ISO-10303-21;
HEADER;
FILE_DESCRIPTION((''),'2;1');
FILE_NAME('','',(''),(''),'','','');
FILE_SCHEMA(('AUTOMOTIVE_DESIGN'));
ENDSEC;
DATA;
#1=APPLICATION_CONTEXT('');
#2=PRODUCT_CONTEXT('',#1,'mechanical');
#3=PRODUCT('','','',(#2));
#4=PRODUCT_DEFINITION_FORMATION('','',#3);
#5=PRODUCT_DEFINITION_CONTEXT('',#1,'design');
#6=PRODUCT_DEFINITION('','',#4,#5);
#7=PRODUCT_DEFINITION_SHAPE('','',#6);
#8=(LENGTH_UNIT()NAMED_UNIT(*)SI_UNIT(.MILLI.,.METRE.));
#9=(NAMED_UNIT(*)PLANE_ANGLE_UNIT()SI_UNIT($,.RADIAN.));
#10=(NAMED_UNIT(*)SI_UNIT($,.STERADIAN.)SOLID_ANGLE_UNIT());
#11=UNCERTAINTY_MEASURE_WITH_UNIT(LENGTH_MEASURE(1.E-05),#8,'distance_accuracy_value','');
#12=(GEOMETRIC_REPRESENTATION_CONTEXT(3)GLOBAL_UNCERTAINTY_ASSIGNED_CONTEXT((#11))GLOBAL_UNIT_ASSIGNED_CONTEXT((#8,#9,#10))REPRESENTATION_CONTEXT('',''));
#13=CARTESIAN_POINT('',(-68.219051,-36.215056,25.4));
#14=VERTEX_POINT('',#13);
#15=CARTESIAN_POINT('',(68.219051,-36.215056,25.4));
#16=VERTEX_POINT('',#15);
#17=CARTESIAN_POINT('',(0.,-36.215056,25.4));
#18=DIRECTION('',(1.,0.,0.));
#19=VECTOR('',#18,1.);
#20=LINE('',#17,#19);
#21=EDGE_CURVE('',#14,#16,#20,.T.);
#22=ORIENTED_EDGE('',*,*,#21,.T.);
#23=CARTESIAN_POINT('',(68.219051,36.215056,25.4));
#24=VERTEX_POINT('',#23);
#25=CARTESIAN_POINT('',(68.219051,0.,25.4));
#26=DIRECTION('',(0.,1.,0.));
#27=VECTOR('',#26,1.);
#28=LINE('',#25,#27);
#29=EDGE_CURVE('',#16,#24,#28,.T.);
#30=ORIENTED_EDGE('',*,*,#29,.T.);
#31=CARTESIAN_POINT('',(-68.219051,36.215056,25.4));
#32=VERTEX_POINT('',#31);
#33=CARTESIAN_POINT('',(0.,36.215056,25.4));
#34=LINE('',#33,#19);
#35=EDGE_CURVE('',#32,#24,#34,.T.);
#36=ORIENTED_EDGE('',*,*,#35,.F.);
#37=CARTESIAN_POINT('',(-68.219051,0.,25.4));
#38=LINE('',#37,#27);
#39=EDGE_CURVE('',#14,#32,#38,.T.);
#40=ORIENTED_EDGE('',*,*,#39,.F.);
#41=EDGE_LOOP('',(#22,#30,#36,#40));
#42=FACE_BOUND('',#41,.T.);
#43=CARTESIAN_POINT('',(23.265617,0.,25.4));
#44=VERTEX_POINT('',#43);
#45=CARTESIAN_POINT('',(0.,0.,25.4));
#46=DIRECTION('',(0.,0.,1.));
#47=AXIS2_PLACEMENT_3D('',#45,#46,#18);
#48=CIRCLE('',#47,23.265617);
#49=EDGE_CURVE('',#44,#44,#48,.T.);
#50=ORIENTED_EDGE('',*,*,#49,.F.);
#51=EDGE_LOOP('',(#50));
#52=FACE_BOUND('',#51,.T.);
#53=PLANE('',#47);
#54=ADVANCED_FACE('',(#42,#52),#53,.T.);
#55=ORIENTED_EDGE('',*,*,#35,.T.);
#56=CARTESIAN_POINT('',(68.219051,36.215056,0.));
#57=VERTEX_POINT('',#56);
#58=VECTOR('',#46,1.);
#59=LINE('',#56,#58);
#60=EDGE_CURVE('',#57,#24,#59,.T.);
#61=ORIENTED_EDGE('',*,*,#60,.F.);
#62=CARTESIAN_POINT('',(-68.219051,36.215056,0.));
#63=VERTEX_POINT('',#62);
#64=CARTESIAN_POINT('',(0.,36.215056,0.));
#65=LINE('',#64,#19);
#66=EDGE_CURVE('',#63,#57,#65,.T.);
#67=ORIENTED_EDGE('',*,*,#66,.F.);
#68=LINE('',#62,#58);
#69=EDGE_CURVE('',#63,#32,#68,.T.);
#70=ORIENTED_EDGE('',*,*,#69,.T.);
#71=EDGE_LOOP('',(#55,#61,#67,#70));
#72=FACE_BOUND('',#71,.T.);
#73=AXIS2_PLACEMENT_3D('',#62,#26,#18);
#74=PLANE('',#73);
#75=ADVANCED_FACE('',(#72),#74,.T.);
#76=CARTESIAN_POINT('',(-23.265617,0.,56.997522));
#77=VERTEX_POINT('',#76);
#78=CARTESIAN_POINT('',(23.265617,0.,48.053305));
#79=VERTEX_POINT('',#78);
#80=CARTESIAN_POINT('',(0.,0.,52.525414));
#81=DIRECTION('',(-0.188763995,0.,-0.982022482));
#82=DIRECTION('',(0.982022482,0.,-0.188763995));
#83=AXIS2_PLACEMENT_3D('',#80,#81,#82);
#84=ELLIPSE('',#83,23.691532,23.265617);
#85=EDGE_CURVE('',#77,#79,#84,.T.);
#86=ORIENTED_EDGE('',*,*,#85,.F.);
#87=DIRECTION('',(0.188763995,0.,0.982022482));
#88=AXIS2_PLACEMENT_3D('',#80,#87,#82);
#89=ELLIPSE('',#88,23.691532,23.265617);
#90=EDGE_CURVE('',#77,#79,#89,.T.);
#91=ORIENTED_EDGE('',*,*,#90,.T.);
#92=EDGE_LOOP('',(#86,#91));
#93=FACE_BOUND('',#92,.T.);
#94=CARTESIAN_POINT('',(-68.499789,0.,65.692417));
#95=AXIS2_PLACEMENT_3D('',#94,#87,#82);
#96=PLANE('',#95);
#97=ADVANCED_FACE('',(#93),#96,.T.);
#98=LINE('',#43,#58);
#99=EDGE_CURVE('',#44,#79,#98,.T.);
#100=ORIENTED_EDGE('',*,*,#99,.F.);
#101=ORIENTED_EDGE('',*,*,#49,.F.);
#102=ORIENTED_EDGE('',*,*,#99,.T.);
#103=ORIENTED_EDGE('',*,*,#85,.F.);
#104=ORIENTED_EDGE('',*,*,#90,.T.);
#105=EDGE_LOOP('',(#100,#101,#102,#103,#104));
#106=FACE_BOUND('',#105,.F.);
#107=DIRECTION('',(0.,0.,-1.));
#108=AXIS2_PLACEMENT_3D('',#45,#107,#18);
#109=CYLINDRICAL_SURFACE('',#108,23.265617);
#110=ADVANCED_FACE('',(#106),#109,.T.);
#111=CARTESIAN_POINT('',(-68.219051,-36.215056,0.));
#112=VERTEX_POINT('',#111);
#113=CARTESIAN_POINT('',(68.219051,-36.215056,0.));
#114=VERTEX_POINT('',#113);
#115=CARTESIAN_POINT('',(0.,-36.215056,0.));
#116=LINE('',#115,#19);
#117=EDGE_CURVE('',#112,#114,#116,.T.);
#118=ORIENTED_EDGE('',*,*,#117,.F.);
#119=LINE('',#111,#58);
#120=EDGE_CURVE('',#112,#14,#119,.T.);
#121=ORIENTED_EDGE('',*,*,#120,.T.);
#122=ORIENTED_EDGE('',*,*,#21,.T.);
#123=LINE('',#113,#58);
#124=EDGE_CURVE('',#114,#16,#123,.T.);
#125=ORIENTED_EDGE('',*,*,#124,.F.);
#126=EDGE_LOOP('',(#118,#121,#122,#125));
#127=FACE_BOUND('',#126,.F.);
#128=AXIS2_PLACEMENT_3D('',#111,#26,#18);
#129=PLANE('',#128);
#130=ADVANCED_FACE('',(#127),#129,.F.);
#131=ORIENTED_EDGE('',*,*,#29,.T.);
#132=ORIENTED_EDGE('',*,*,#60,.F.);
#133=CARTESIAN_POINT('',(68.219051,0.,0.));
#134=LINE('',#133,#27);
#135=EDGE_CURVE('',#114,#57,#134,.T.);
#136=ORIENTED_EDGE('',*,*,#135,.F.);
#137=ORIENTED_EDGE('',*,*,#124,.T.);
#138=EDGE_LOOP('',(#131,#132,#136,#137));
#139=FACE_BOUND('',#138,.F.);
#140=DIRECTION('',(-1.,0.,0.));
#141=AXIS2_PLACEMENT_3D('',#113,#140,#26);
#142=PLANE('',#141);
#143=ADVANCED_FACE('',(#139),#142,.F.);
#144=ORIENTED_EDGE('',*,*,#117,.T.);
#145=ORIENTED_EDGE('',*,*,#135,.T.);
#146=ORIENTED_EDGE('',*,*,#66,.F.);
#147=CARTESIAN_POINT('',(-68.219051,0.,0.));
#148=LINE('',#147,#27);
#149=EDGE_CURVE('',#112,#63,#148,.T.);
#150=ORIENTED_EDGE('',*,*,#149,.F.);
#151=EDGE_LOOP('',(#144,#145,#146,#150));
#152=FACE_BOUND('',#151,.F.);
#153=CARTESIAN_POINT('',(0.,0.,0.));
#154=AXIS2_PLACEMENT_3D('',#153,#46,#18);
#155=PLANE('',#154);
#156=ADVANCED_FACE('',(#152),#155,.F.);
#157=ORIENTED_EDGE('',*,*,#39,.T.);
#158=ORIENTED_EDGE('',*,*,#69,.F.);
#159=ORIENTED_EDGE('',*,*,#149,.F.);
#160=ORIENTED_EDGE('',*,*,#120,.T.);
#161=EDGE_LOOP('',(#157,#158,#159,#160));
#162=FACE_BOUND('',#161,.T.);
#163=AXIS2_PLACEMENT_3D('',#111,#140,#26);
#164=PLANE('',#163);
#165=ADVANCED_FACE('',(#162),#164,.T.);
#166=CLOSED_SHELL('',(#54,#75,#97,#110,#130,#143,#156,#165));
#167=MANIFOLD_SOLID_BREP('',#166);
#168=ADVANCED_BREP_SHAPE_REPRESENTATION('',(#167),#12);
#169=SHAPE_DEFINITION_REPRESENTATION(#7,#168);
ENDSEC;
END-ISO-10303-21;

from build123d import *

# Parameters (mm, degrees)
F0_W          = 136.4381015301
F0_H          = 72.4301114678
F1_DEPTH      = 25.4
F2_R          = 23.2656169201
F3_DEPTH      = 36.322
F5_DEPTH      = 25.4
F5_DEPTH_BACK = 25.4


with BuildPart() as f1:
    # F0 (on Top) → F1 (new body)
    with BuildSketch(Plane.XY):
        Rectangle(F0_W, F0_H)
    extrude(amount=F1_DEPTH)

    # F2 (on face) → F3 (join)
    with BuildSketch(Plane.XY.offset(25.4)):
        Circle(F2_R)
    extrude(amount=F3_DEPTH)

    # F4 (on Front) → F5 (cut, two sides)
    with BuildSketch(Plane.XZ) as f5_sk:
        Polygon((54.1822127998, 69.6227326989), (-68.4997886419, 65.6924173236), (54.1822127998, 42.1105287969), align=None)
    extrude(amount=-F5_DEPTH, mode=Mode.SUBTRACT)
    extrude(f5_sk.sketch, amount=F5_DEPTH_BACK, mode=Mode.SUBTRACT)


solid = f1.part
